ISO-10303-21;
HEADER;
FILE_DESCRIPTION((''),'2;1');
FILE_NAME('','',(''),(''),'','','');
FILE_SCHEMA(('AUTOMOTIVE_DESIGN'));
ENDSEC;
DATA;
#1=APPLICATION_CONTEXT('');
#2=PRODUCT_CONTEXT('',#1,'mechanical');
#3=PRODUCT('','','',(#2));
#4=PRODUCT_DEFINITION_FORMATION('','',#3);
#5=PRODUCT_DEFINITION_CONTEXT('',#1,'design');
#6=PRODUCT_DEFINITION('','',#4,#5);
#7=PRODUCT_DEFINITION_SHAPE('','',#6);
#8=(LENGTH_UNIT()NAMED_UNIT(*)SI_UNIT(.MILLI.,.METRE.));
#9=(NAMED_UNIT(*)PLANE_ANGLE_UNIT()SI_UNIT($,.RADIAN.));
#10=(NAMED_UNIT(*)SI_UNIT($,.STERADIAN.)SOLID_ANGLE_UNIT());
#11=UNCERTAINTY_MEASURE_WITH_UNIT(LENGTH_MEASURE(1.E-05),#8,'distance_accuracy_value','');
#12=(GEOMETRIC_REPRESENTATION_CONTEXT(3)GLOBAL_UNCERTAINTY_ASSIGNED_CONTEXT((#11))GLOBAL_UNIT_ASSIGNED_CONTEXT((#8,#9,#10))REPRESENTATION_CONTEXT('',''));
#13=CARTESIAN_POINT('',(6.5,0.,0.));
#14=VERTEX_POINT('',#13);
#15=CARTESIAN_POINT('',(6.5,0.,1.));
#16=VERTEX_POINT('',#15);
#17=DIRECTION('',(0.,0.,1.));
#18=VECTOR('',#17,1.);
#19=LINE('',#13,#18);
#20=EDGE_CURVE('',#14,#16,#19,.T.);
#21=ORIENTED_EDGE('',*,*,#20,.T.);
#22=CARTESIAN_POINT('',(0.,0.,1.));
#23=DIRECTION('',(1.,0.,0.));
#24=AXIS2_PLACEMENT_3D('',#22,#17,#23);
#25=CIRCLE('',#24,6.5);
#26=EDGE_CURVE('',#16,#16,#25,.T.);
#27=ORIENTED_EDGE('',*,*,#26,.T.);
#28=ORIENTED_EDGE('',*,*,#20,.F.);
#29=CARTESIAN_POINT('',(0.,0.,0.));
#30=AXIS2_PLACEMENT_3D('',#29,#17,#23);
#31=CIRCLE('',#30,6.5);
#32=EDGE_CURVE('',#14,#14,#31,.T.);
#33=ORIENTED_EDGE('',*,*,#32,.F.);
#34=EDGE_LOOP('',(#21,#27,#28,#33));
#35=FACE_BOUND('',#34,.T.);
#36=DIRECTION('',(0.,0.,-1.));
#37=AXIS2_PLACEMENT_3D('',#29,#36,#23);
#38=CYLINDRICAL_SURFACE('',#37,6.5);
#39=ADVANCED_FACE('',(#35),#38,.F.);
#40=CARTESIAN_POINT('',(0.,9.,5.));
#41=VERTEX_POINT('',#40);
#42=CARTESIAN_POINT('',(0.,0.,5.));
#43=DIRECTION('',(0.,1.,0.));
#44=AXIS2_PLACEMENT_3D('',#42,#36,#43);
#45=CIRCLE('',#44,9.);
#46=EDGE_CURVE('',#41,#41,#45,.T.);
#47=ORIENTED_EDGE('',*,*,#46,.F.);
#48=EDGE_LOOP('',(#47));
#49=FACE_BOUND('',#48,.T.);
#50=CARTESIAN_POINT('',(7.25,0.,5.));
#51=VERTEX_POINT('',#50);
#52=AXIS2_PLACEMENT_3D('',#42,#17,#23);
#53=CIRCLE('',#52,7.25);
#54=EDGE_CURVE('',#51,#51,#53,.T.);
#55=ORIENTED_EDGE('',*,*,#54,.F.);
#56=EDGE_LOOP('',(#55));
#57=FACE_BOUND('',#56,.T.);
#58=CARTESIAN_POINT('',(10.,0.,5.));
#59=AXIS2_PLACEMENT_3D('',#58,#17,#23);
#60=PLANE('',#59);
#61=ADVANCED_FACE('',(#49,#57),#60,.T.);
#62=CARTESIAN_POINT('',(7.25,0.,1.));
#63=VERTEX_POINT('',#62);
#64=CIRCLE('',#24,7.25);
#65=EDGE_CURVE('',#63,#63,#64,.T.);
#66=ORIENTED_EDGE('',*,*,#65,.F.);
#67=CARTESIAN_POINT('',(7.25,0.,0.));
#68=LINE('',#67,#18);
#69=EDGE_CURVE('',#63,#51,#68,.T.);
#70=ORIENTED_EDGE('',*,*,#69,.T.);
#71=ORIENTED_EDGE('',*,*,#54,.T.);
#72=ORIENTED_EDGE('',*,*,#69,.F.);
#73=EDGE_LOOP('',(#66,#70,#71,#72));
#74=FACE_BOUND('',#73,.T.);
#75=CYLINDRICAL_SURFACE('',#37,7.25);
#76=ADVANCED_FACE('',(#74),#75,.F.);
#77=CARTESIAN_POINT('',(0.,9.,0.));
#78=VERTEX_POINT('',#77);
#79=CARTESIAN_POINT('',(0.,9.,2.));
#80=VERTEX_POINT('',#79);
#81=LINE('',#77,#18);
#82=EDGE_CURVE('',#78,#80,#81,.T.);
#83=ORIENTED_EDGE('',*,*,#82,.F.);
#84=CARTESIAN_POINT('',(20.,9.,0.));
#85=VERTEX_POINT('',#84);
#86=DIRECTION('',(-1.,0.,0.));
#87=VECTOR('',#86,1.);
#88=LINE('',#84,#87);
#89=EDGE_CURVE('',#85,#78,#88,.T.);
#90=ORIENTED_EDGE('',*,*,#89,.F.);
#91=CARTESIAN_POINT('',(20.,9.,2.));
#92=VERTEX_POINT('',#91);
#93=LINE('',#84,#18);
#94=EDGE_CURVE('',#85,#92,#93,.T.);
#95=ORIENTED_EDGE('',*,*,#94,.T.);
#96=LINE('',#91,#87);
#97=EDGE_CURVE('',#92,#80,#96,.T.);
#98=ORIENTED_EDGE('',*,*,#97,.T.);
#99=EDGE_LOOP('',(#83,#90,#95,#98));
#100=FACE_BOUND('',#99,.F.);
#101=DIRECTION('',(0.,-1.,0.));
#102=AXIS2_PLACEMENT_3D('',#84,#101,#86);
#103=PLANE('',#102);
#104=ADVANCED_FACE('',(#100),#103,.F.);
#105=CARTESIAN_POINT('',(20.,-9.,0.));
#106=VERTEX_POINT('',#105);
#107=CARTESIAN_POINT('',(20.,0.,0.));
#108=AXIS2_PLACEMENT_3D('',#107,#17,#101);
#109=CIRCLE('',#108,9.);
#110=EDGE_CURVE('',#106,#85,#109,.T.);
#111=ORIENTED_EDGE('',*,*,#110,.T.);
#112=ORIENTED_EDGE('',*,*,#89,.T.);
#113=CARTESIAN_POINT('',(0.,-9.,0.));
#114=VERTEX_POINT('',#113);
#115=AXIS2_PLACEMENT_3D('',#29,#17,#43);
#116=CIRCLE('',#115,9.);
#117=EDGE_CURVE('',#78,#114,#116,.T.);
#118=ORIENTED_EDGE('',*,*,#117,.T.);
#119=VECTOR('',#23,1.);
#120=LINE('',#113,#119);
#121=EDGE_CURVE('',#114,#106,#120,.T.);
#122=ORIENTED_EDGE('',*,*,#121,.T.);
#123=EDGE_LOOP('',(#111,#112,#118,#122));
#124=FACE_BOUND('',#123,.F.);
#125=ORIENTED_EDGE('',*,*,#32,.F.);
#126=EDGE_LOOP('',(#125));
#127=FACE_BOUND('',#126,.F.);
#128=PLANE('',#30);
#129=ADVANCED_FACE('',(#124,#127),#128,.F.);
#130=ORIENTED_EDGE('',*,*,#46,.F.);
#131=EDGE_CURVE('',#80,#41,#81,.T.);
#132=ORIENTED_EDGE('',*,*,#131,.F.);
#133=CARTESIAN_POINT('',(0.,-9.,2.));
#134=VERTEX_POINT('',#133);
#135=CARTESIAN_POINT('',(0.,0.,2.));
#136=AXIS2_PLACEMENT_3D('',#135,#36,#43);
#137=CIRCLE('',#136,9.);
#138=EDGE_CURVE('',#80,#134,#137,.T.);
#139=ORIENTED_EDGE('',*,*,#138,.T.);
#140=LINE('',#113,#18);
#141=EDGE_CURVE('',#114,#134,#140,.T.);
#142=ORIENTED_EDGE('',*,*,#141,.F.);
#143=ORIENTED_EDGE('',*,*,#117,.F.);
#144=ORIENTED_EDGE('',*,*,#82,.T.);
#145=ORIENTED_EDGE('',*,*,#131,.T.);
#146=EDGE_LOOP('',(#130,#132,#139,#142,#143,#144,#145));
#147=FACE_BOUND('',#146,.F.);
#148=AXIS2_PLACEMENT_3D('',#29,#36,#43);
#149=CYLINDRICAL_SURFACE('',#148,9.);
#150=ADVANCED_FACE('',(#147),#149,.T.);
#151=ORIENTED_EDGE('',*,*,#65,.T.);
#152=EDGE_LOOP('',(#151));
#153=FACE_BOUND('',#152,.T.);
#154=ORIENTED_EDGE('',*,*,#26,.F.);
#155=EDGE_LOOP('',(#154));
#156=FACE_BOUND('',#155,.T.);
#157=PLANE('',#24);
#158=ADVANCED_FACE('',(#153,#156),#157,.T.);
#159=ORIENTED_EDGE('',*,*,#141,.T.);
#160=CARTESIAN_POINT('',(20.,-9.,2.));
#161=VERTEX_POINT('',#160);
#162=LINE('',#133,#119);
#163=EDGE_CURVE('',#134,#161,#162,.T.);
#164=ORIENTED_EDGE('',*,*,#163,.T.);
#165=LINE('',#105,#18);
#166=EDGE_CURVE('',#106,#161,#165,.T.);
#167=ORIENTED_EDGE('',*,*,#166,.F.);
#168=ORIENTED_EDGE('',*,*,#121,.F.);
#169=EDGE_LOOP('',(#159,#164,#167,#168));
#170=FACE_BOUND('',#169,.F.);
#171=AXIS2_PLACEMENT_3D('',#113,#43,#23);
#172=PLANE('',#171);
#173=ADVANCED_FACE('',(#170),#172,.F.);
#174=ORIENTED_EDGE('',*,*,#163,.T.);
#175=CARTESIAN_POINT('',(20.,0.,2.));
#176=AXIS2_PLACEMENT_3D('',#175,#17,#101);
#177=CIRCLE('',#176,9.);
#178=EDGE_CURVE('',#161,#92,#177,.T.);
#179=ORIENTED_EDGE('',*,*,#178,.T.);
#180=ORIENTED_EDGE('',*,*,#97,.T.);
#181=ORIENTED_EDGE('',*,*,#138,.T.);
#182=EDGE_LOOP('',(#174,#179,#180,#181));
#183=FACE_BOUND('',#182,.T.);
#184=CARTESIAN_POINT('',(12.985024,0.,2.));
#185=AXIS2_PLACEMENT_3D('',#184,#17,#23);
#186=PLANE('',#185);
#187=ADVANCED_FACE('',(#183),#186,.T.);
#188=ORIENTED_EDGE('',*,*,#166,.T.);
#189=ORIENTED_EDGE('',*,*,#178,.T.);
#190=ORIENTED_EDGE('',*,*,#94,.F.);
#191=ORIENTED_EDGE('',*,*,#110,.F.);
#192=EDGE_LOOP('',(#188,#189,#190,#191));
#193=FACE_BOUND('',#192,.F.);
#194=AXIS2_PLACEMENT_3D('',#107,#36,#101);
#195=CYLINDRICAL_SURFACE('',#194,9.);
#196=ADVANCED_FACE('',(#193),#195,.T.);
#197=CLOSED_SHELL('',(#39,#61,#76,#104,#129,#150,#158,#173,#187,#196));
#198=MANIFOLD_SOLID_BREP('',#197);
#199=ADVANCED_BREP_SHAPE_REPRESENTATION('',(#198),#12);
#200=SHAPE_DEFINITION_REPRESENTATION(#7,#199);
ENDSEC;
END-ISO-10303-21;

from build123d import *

# Parameters (mm, degrees)
F0_R     = 7.25
F1_DEPTH = 5
F0_R_2   = 6.5
F2_DEPTH = 1
F4_DEPTH = 3


with BuildPart() as f1:
    # F0 (on Top) → F1 (new body)
    with BuildSketch(Plane.XY):
        with BuildLine():
            Line((20, 9), (0, 9))
            ThreePointArc((0, 9), (-9, 0), (0, -9))
            Line((0, -9), (20, -9))
            ThreePointArc((20, -9), (29, 0), (20, 9))
        make_face()
        Circle(F0_R, mode=Mode.SUBTRACT)
    extrude(amount=F1_DEPTH)

    # F0 (on Top) → F2 (join)
    with BuildSketch(Plane.XY):
        Circle(F0_R)
        Circle(F0_R_2, mode=Mode.SUBTRACT)
    extrude(amount=F2_DEPTH)

    # F3 (on face) → F4 (cut)
    with BuildSketch(Plane.XY.offset(5)):
        with BuildLine():
            ThreePointArc((0, 9), (9, 0), (0, -9))
            Line((0, -9), (20, -9))
            ThreePointArc((20, -9), (29, 0), (20, 9))
            Line((20, 9), (0, 9))
        make_face()
    extrude(amount=-F4_DEPTH, mode=Mode.SUBTRACT)


solid = f1.part
